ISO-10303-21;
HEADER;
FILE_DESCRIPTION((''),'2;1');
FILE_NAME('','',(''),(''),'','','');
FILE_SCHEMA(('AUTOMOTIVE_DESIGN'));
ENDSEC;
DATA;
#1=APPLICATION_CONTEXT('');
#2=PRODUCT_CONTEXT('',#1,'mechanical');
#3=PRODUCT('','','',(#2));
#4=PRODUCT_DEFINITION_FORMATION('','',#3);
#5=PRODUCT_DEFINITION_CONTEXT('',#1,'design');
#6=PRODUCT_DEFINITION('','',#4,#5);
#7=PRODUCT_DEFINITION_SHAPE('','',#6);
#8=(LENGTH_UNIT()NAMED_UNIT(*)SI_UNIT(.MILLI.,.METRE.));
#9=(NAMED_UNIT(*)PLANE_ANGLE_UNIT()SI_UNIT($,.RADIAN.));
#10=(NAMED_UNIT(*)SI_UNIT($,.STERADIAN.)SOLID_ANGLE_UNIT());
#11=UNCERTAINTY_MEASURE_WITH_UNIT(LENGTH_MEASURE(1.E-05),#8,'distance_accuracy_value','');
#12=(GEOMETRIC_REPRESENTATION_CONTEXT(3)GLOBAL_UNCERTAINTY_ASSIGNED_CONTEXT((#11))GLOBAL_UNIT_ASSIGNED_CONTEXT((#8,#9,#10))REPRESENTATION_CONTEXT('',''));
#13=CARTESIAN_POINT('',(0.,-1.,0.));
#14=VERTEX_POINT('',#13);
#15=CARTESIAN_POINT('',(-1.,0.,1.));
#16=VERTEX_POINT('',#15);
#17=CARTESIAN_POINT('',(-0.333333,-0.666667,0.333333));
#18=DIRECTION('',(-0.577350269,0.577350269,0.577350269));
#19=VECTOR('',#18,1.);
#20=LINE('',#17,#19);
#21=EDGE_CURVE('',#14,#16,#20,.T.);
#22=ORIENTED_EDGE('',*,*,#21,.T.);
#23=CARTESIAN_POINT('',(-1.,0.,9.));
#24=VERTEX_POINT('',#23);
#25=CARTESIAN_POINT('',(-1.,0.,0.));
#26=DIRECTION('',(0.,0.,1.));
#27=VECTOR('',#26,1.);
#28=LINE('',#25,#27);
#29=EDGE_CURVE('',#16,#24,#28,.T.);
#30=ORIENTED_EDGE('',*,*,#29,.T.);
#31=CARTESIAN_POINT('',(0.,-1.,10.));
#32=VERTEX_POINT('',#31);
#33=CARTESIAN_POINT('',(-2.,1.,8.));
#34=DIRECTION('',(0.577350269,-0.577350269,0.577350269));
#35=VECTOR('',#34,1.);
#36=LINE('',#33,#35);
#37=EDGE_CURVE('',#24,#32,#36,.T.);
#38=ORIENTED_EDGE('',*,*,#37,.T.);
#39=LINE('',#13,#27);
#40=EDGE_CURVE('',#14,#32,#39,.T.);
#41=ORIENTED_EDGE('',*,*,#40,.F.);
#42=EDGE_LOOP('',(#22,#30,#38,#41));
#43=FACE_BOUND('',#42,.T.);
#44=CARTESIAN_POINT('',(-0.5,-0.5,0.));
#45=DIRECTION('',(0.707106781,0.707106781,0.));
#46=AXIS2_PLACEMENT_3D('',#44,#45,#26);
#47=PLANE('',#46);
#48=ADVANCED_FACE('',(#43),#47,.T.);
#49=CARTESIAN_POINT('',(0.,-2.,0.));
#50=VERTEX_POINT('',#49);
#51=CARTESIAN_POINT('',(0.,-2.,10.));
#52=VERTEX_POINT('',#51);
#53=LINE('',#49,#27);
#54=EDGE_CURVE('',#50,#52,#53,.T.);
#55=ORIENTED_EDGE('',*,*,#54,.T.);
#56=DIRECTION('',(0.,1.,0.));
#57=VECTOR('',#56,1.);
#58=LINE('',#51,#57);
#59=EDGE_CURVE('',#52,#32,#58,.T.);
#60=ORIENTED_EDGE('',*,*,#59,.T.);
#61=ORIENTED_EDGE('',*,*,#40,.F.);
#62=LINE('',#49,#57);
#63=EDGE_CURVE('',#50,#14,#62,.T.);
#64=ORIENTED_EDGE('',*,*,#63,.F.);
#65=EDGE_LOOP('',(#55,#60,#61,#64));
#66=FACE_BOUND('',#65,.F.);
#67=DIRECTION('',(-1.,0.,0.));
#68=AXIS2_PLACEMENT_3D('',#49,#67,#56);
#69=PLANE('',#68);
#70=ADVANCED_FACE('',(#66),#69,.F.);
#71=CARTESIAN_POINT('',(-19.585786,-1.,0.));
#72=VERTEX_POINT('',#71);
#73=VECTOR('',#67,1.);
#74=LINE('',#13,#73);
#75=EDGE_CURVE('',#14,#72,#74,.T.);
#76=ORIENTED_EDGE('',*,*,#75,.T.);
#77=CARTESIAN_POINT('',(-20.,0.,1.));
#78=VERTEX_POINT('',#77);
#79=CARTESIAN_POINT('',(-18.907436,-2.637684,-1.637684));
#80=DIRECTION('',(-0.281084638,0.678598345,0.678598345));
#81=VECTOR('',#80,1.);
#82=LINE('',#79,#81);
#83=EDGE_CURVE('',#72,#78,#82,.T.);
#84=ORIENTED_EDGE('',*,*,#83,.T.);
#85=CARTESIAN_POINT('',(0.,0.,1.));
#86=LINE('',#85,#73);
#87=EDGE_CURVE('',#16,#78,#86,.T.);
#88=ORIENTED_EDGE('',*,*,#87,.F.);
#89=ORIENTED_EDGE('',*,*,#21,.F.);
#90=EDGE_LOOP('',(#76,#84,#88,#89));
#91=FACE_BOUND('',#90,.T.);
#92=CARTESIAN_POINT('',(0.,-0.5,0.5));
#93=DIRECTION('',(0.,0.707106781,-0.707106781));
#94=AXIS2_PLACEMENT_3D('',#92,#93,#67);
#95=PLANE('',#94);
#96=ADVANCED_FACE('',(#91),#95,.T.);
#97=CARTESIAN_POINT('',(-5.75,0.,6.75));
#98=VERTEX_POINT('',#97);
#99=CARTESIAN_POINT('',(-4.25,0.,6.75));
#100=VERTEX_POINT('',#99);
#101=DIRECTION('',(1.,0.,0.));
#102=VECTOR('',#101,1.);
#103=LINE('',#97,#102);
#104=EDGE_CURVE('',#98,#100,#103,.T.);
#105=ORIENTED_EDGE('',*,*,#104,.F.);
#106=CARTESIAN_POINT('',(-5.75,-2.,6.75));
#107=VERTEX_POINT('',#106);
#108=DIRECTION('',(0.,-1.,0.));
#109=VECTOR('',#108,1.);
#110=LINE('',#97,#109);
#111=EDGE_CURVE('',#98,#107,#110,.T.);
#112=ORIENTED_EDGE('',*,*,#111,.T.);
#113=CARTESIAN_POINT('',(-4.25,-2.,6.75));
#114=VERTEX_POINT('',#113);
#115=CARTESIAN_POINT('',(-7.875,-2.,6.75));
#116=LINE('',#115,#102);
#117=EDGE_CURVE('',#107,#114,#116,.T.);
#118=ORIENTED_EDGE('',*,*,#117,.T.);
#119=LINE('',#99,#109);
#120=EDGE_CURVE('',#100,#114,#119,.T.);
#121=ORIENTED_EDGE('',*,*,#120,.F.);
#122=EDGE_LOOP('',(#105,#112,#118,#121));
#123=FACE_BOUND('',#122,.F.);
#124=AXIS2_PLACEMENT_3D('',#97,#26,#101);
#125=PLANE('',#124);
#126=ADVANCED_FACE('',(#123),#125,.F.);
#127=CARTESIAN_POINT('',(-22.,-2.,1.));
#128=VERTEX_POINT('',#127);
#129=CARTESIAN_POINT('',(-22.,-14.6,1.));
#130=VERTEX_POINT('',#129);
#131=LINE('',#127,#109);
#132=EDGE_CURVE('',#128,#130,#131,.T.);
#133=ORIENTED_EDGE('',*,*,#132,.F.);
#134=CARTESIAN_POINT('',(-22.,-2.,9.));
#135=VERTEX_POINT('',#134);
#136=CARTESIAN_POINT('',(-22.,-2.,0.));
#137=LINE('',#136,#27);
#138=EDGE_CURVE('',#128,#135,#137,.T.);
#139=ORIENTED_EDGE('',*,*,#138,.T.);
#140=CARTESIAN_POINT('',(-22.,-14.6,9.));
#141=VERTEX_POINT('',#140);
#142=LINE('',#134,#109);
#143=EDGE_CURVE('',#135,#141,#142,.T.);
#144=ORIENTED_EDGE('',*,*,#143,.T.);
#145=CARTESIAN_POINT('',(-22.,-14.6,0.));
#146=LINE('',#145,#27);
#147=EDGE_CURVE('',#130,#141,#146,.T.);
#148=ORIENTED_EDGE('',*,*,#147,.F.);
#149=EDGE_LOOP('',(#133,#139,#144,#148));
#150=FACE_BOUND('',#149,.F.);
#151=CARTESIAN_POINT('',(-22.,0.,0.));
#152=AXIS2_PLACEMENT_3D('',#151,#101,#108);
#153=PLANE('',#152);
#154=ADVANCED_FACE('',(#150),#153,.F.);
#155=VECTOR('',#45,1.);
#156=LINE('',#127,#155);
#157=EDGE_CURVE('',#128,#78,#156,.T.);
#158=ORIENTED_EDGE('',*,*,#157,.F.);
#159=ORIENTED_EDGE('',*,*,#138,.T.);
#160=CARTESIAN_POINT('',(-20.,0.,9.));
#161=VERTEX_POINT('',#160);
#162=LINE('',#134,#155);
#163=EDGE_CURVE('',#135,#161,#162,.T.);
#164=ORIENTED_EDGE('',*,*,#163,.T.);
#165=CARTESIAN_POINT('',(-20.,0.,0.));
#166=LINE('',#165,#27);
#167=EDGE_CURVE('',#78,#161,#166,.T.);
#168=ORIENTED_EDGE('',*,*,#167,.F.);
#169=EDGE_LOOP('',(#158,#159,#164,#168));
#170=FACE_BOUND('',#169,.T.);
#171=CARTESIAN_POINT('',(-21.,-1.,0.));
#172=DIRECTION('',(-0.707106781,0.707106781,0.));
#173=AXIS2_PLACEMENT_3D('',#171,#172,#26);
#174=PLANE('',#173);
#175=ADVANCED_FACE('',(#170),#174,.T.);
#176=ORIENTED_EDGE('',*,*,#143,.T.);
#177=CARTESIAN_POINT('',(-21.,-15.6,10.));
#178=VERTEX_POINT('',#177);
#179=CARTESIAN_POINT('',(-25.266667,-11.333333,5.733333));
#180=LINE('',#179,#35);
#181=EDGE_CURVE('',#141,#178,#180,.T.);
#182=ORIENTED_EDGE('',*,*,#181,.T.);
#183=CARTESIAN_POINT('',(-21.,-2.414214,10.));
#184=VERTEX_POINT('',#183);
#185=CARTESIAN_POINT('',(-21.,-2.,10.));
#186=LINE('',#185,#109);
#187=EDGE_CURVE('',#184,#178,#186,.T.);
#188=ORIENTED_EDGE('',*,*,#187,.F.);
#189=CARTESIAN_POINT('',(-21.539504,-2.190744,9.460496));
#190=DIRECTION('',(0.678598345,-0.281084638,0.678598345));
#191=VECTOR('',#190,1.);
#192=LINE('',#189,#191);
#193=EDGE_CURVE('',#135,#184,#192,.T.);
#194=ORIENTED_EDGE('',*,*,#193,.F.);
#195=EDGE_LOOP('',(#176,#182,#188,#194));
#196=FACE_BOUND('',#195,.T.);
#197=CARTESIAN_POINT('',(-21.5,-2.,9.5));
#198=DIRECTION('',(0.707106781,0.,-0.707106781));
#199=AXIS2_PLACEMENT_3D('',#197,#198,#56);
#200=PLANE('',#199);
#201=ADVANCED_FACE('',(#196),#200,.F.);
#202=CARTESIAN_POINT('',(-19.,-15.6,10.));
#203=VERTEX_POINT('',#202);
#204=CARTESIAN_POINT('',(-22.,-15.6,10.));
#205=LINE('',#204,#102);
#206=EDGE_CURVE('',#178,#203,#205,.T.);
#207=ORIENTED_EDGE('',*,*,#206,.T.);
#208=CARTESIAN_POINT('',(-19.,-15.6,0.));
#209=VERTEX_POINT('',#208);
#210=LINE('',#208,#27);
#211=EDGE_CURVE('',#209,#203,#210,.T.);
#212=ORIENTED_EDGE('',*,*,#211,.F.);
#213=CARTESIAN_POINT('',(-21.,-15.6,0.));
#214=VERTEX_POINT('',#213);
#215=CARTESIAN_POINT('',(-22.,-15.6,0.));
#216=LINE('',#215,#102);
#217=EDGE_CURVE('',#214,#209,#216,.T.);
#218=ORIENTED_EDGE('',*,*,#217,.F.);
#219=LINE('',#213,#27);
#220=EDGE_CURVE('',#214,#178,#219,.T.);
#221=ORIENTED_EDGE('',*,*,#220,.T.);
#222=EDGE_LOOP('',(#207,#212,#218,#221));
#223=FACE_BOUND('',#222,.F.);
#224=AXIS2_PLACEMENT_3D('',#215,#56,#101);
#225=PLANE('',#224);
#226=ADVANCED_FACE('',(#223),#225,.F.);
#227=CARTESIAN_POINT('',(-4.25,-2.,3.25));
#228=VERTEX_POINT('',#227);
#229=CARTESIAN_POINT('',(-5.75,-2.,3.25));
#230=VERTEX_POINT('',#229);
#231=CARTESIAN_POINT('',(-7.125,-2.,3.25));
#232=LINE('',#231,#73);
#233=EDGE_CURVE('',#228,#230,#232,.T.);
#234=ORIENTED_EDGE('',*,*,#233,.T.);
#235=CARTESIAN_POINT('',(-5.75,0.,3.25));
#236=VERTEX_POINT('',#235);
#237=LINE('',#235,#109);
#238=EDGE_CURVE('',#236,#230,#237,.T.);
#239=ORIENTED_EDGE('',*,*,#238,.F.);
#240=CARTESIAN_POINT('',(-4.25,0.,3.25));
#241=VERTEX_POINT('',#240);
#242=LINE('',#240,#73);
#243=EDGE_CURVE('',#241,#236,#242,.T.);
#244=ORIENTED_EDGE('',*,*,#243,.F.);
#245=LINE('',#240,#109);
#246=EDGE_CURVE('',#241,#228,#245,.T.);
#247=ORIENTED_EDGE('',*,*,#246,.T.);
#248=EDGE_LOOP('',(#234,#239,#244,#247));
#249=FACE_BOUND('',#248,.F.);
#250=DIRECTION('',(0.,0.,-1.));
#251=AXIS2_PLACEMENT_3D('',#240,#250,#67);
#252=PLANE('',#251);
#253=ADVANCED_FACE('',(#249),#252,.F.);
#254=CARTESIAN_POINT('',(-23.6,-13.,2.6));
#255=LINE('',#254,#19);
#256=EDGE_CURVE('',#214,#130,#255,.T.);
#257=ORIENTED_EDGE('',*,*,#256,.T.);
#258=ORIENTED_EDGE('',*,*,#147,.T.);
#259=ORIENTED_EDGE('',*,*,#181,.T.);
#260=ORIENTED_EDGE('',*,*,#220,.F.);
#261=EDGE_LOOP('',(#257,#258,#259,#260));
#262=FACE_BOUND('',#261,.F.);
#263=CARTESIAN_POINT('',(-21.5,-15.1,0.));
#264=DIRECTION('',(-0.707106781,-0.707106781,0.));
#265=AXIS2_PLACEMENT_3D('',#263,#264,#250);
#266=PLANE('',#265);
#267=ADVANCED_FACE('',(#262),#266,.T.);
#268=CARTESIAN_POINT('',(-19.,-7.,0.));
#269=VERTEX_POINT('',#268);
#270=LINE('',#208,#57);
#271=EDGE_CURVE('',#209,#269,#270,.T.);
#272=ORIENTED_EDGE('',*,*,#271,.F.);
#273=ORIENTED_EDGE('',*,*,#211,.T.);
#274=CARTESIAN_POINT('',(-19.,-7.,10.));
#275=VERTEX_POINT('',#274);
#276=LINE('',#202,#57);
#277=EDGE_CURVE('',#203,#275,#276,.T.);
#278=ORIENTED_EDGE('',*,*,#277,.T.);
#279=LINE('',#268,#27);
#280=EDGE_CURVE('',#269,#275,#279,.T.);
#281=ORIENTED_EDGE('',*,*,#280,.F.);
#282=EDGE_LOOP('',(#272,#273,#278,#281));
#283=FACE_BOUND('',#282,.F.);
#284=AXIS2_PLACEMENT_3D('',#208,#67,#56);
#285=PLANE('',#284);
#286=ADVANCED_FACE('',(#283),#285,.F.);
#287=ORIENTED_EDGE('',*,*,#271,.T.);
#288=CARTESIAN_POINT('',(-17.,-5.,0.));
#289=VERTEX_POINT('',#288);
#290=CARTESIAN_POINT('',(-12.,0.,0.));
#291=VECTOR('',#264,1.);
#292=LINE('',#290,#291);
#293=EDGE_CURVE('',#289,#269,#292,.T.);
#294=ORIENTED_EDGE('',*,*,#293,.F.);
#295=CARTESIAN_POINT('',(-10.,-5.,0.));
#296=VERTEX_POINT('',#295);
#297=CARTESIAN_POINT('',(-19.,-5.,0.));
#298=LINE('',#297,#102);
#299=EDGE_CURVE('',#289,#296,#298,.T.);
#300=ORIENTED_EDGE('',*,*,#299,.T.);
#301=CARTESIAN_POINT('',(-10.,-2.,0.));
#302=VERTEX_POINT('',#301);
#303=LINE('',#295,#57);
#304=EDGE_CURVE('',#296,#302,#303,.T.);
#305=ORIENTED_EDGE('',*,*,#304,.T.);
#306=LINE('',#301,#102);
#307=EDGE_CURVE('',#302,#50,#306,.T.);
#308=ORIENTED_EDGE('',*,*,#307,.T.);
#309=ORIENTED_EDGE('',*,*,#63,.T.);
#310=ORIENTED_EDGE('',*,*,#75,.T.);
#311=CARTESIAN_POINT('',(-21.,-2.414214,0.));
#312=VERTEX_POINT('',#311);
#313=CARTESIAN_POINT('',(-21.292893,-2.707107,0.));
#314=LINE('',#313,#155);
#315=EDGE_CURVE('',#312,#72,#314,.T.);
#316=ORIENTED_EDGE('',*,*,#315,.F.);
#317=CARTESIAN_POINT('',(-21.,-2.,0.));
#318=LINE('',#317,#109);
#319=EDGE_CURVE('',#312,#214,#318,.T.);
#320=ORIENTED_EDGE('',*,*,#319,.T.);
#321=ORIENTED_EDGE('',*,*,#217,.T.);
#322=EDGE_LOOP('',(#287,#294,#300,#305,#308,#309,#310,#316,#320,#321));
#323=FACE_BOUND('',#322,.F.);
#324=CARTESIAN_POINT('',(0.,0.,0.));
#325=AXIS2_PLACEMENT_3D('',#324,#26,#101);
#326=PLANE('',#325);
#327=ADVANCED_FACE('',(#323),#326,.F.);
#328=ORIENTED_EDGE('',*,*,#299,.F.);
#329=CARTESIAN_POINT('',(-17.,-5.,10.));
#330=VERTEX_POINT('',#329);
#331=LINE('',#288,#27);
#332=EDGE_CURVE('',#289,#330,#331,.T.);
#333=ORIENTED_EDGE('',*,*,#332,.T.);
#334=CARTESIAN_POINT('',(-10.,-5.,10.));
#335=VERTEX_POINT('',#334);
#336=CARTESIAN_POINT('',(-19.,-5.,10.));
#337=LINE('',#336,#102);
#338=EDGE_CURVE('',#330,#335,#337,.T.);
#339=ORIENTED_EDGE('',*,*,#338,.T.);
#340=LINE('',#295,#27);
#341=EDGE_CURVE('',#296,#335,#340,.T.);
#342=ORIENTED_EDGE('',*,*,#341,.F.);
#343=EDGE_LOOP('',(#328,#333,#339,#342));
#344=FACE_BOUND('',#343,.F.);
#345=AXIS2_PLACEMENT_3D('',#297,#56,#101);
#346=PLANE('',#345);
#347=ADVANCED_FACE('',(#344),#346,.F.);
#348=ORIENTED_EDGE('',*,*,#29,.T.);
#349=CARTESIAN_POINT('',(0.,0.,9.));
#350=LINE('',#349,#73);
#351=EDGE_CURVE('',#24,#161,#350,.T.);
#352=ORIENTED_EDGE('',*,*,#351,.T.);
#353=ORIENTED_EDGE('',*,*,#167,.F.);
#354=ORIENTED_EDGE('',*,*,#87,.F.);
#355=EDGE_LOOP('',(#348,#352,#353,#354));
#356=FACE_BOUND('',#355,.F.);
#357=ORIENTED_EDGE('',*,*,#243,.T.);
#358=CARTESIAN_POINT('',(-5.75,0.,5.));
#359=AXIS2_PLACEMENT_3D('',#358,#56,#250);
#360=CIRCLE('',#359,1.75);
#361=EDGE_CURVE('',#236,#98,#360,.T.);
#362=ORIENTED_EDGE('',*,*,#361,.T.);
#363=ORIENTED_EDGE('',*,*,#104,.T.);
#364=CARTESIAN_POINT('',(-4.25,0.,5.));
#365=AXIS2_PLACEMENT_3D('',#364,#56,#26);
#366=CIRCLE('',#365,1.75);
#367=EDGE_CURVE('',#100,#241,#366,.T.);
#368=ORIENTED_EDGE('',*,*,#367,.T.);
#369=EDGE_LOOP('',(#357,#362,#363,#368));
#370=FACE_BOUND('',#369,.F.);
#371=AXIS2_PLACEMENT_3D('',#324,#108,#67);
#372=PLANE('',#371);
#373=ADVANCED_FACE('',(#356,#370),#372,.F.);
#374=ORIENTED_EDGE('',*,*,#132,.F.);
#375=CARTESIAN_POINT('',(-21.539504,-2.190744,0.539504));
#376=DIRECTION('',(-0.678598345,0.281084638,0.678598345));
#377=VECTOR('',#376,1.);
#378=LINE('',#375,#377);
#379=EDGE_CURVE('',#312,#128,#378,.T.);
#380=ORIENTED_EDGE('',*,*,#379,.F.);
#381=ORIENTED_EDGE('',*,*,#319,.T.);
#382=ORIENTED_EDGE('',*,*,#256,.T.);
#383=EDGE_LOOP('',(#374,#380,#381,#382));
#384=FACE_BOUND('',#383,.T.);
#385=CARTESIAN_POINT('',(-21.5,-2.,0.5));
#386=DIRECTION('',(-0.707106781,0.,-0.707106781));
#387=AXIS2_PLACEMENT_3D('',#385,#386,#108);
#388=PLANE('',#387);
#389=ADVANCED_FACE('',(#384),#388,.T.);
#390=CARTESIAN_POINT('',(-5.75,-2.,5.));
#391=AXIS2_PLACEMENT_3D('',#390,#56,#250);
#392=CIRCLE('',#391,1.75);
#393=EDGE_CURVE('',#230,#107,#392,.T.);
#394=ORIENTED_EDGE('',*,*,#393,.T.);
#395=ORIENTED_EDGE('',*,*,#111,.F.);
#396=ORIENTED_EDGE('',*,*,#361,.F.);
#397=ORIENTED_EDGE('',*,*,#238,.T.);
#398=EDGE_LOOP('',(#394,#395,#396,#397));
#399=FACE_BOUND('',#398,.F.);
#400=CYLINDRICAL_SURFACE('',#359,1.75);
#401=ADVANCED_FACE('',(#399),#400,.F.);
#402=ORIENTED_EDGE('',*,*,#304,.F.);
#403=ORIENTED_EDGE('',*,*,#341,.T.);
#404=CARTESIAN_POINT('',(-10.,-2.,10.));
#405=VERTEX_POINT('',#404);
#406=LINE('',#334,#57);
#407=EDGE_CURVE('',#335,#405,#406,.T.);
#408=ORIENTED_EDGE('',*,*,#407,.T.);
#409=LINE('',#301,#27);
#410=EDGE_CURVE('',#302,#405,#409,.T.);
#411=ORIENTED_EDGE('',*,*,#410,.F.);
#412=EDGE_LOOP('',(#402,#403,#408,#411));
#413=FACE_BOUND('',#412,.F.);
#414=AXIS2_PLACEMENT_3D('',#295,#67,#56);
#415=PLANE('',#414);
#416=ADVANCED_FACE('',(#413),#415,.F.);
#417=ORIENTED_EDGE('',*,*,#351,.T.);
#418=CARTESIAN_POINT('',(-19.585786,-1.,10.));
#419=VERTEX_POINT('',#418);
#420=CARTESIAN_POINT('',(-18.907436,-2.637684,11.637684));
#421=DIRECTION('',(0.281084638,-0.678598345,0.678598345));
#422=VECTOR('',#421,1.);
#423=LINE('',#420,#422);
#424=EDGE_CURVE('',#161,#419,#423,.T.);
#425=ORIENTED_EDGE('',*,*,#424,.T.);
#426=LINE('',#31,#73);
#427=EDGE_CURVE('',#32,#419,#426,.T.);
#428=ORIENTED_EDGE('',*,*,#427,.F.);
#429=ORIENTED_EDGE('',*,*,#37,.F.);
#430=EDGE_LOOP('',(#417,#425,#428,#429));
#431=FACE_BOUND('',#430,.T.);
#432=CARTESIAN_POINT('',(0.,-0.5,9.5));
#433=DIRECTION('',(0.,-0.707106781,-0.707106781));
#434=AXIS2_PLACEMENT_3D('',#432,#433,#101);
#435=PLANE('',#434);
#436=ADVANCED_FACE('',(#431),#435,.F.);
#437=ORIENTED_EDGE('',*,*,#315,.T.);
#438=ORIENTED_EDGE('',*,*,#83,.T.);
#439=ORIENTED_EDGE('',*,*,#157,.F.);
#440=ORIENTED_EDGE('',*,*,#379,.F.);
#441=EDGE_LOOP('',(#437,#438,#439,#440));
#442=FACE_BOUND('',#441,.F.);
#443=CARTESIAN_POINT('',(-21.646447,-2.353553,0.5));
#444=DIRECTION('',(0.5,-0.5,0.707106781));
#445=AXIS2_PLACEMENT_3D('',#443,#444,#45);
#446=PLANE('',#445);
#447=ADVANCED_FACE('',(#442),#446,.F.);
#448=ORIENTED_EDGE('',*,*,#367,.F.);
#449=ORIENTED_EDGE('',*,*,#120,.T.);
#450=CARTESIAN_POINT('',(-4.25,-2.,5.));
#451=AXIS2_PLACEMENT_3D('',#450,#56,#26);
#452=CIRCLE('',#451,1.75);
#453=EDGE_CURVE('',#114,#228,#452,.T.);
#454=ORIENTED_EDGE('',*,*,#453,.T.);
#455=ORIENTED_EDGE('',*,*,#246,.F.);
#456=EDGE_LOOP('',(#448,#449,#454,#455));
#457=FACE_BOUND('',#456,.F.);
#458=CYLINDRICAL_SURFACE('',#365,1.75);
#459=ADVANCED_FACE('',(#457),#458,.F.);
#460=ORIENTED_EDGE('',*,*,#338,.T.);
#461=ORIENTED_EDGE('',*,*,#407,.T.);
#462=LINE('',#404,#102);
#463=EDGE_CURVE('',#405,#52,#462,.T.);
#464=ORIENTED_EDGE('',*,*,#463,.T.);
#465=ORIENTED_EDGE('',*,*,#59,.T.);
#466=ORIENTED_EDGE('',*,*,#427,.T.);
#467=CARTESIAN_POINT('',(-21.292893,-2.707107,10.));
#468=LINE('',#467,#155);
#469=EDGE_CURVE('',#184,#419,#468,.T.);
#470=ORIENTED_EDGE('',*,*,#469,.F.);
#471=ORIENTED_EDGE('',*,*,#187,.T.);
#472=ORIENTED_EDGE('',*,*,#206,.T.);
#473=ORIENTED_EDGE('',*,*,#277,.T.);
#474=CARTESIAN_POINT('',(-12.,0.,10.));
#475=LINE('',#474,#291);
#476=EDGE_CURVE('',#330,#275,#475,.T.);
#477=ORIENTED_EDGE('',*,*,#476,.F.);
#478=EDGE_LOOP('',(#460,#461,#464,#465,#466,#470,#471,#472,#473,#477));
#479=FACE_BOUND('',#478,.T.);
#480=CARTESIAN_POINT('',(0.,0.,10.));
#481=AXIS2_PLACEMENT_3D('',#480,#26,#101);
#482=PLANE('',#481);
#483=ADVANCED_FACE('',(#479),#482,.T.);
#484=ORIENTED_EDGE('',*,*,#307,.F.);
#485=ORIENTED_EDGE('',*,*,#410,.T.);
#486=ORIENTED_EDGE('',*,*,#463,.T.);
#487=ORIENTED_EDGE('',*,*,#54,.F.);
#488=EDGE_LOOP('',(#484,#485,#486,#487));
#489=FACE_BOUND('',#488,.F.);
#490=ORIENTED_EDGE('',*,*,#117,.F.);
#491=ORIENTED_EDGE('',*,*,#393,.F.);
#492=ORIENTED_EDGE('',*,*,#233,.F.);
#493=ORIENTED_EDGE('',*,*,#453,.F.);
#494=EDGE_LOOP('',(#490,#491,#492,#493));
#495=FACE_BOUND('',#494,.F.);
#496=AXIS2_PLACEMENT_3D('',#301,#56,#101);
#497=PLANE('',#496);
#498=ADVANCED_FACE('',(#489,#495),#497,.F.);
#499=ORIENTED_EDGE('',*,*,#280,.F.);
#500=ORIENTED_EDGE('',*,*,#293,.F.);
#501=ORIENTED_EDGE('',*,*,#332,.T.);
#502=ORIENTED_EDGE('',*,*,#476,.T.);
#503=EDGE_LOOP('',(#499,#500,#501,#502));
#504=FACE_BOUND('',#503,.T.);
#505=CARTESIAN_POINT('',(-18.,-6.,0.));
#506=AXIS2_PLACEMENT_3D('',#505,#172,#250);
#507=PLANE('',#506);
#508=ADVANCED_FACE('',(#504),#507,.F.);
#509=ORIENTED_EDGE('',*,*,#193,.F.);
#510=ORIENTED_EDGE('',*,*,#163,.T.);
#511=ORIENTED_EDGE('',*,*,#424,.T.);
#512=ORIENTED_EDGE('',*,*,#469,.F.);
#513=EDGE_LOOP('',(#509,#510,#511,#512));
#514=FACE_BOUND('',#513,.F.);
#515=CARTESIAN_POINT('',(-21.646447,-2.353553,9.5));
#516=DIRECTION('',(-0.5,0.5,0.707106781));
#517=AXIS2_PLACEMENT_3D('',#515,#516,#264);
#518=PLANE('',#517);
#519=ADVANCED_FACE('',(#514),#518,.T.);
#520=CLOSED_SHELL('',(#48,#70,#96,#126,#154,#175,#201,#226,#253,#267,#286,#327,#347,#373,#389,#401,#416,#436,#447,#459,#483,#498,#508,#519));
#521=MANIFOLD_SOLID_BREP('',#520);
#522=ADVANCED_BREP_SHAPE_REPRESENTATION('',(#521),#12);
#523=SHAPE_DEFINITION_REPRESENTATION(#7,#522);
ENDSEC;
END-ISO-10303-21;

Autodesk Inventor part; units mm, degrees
ref_plane "YZ Plane" through (0, 0, 0) normal (1, 0, 0) x (0, 1, 0)
ref_plane "XZ Plane" through (0, 0, 0) normal (0, 1, 0) x (-1, 0, 0)
ref_plane "XY Plane" through (0, 0, 0) normal (0, 0, 1) x (1, 0, 0)
sketch "Sketch1" plane through (0, 0, 0) normal (0, 0, 1) x (1, 0, 0)
  line L0 (0, 0) -> (-22, 0)
  line L1 (-22, 0) -> (-22, -15.6)
  line L2 (-22, -15.6) -> (-19, -15.6)
  line L3 (-19, -15.6) -> (-19, -5)
  line L4 (-19, -5) -> (-10, -5)
  line L5 (-10, -5) -> (-10, -2)
  line L6 (-10, -2) -> (0, -2)
  line L7 (0, -2) -> (0, 0)
  dimension "d0" = 2
  dimension "d1" = 10
  dimension "d2" = 3
  dimension "d3" = 9
  dimension "d4" = 3
  dimension "d5" = 10.6
extrude "Extrusion1" add sketch "Sketch1" along normal blind 10
chamfer "Chamfer1" distance 2 angle 45 1 edges at (-19, -5, 5)
sketch "Sketch2" plane through (-22, 0, 0) normal (0, 1, 0) x (1, 0, 0)
  line L0 (12, 0) -> (12, -10) projected
  line L1 (16.25, -5) -> (17.75, -5) construction
  line L2 (16.25, -6.75) -> (17.75, -6.75)
  line L3 (17.75, -3.25) -> (16.25, -3.25)
  arc A0 (16.25, -3.25) -> (16.25, -6.75) centre (16.25, -5) ccw
  arc A1 (17.75, -6.75) -> (17.75, -3.25) centre (17.75, -5) ccw
  point P0 (22, 0)
  point P1 (17, -5)
  dimension "d11" = 1.75
  dimension "d12" = 1.5
  dimension "d13" = 5
extrude "Extrusion2" cut sketch "Sketch2" against normal through all
chamfer "Chamfer2" distance 2 angle 45 1 edges at (-22, 0, 5)
chamfer "Chamfer3" distance 1 angle 45 8 edges at (-10, 0, 10) (-10, 0, 0) (0, 0, 5) (-21, -1, 10) (-22, -8.8, 10) (-21, -1, 0) (-22, -8.8, 0) (-22, -15.6, 5)
properties part number "_3DPrint"
